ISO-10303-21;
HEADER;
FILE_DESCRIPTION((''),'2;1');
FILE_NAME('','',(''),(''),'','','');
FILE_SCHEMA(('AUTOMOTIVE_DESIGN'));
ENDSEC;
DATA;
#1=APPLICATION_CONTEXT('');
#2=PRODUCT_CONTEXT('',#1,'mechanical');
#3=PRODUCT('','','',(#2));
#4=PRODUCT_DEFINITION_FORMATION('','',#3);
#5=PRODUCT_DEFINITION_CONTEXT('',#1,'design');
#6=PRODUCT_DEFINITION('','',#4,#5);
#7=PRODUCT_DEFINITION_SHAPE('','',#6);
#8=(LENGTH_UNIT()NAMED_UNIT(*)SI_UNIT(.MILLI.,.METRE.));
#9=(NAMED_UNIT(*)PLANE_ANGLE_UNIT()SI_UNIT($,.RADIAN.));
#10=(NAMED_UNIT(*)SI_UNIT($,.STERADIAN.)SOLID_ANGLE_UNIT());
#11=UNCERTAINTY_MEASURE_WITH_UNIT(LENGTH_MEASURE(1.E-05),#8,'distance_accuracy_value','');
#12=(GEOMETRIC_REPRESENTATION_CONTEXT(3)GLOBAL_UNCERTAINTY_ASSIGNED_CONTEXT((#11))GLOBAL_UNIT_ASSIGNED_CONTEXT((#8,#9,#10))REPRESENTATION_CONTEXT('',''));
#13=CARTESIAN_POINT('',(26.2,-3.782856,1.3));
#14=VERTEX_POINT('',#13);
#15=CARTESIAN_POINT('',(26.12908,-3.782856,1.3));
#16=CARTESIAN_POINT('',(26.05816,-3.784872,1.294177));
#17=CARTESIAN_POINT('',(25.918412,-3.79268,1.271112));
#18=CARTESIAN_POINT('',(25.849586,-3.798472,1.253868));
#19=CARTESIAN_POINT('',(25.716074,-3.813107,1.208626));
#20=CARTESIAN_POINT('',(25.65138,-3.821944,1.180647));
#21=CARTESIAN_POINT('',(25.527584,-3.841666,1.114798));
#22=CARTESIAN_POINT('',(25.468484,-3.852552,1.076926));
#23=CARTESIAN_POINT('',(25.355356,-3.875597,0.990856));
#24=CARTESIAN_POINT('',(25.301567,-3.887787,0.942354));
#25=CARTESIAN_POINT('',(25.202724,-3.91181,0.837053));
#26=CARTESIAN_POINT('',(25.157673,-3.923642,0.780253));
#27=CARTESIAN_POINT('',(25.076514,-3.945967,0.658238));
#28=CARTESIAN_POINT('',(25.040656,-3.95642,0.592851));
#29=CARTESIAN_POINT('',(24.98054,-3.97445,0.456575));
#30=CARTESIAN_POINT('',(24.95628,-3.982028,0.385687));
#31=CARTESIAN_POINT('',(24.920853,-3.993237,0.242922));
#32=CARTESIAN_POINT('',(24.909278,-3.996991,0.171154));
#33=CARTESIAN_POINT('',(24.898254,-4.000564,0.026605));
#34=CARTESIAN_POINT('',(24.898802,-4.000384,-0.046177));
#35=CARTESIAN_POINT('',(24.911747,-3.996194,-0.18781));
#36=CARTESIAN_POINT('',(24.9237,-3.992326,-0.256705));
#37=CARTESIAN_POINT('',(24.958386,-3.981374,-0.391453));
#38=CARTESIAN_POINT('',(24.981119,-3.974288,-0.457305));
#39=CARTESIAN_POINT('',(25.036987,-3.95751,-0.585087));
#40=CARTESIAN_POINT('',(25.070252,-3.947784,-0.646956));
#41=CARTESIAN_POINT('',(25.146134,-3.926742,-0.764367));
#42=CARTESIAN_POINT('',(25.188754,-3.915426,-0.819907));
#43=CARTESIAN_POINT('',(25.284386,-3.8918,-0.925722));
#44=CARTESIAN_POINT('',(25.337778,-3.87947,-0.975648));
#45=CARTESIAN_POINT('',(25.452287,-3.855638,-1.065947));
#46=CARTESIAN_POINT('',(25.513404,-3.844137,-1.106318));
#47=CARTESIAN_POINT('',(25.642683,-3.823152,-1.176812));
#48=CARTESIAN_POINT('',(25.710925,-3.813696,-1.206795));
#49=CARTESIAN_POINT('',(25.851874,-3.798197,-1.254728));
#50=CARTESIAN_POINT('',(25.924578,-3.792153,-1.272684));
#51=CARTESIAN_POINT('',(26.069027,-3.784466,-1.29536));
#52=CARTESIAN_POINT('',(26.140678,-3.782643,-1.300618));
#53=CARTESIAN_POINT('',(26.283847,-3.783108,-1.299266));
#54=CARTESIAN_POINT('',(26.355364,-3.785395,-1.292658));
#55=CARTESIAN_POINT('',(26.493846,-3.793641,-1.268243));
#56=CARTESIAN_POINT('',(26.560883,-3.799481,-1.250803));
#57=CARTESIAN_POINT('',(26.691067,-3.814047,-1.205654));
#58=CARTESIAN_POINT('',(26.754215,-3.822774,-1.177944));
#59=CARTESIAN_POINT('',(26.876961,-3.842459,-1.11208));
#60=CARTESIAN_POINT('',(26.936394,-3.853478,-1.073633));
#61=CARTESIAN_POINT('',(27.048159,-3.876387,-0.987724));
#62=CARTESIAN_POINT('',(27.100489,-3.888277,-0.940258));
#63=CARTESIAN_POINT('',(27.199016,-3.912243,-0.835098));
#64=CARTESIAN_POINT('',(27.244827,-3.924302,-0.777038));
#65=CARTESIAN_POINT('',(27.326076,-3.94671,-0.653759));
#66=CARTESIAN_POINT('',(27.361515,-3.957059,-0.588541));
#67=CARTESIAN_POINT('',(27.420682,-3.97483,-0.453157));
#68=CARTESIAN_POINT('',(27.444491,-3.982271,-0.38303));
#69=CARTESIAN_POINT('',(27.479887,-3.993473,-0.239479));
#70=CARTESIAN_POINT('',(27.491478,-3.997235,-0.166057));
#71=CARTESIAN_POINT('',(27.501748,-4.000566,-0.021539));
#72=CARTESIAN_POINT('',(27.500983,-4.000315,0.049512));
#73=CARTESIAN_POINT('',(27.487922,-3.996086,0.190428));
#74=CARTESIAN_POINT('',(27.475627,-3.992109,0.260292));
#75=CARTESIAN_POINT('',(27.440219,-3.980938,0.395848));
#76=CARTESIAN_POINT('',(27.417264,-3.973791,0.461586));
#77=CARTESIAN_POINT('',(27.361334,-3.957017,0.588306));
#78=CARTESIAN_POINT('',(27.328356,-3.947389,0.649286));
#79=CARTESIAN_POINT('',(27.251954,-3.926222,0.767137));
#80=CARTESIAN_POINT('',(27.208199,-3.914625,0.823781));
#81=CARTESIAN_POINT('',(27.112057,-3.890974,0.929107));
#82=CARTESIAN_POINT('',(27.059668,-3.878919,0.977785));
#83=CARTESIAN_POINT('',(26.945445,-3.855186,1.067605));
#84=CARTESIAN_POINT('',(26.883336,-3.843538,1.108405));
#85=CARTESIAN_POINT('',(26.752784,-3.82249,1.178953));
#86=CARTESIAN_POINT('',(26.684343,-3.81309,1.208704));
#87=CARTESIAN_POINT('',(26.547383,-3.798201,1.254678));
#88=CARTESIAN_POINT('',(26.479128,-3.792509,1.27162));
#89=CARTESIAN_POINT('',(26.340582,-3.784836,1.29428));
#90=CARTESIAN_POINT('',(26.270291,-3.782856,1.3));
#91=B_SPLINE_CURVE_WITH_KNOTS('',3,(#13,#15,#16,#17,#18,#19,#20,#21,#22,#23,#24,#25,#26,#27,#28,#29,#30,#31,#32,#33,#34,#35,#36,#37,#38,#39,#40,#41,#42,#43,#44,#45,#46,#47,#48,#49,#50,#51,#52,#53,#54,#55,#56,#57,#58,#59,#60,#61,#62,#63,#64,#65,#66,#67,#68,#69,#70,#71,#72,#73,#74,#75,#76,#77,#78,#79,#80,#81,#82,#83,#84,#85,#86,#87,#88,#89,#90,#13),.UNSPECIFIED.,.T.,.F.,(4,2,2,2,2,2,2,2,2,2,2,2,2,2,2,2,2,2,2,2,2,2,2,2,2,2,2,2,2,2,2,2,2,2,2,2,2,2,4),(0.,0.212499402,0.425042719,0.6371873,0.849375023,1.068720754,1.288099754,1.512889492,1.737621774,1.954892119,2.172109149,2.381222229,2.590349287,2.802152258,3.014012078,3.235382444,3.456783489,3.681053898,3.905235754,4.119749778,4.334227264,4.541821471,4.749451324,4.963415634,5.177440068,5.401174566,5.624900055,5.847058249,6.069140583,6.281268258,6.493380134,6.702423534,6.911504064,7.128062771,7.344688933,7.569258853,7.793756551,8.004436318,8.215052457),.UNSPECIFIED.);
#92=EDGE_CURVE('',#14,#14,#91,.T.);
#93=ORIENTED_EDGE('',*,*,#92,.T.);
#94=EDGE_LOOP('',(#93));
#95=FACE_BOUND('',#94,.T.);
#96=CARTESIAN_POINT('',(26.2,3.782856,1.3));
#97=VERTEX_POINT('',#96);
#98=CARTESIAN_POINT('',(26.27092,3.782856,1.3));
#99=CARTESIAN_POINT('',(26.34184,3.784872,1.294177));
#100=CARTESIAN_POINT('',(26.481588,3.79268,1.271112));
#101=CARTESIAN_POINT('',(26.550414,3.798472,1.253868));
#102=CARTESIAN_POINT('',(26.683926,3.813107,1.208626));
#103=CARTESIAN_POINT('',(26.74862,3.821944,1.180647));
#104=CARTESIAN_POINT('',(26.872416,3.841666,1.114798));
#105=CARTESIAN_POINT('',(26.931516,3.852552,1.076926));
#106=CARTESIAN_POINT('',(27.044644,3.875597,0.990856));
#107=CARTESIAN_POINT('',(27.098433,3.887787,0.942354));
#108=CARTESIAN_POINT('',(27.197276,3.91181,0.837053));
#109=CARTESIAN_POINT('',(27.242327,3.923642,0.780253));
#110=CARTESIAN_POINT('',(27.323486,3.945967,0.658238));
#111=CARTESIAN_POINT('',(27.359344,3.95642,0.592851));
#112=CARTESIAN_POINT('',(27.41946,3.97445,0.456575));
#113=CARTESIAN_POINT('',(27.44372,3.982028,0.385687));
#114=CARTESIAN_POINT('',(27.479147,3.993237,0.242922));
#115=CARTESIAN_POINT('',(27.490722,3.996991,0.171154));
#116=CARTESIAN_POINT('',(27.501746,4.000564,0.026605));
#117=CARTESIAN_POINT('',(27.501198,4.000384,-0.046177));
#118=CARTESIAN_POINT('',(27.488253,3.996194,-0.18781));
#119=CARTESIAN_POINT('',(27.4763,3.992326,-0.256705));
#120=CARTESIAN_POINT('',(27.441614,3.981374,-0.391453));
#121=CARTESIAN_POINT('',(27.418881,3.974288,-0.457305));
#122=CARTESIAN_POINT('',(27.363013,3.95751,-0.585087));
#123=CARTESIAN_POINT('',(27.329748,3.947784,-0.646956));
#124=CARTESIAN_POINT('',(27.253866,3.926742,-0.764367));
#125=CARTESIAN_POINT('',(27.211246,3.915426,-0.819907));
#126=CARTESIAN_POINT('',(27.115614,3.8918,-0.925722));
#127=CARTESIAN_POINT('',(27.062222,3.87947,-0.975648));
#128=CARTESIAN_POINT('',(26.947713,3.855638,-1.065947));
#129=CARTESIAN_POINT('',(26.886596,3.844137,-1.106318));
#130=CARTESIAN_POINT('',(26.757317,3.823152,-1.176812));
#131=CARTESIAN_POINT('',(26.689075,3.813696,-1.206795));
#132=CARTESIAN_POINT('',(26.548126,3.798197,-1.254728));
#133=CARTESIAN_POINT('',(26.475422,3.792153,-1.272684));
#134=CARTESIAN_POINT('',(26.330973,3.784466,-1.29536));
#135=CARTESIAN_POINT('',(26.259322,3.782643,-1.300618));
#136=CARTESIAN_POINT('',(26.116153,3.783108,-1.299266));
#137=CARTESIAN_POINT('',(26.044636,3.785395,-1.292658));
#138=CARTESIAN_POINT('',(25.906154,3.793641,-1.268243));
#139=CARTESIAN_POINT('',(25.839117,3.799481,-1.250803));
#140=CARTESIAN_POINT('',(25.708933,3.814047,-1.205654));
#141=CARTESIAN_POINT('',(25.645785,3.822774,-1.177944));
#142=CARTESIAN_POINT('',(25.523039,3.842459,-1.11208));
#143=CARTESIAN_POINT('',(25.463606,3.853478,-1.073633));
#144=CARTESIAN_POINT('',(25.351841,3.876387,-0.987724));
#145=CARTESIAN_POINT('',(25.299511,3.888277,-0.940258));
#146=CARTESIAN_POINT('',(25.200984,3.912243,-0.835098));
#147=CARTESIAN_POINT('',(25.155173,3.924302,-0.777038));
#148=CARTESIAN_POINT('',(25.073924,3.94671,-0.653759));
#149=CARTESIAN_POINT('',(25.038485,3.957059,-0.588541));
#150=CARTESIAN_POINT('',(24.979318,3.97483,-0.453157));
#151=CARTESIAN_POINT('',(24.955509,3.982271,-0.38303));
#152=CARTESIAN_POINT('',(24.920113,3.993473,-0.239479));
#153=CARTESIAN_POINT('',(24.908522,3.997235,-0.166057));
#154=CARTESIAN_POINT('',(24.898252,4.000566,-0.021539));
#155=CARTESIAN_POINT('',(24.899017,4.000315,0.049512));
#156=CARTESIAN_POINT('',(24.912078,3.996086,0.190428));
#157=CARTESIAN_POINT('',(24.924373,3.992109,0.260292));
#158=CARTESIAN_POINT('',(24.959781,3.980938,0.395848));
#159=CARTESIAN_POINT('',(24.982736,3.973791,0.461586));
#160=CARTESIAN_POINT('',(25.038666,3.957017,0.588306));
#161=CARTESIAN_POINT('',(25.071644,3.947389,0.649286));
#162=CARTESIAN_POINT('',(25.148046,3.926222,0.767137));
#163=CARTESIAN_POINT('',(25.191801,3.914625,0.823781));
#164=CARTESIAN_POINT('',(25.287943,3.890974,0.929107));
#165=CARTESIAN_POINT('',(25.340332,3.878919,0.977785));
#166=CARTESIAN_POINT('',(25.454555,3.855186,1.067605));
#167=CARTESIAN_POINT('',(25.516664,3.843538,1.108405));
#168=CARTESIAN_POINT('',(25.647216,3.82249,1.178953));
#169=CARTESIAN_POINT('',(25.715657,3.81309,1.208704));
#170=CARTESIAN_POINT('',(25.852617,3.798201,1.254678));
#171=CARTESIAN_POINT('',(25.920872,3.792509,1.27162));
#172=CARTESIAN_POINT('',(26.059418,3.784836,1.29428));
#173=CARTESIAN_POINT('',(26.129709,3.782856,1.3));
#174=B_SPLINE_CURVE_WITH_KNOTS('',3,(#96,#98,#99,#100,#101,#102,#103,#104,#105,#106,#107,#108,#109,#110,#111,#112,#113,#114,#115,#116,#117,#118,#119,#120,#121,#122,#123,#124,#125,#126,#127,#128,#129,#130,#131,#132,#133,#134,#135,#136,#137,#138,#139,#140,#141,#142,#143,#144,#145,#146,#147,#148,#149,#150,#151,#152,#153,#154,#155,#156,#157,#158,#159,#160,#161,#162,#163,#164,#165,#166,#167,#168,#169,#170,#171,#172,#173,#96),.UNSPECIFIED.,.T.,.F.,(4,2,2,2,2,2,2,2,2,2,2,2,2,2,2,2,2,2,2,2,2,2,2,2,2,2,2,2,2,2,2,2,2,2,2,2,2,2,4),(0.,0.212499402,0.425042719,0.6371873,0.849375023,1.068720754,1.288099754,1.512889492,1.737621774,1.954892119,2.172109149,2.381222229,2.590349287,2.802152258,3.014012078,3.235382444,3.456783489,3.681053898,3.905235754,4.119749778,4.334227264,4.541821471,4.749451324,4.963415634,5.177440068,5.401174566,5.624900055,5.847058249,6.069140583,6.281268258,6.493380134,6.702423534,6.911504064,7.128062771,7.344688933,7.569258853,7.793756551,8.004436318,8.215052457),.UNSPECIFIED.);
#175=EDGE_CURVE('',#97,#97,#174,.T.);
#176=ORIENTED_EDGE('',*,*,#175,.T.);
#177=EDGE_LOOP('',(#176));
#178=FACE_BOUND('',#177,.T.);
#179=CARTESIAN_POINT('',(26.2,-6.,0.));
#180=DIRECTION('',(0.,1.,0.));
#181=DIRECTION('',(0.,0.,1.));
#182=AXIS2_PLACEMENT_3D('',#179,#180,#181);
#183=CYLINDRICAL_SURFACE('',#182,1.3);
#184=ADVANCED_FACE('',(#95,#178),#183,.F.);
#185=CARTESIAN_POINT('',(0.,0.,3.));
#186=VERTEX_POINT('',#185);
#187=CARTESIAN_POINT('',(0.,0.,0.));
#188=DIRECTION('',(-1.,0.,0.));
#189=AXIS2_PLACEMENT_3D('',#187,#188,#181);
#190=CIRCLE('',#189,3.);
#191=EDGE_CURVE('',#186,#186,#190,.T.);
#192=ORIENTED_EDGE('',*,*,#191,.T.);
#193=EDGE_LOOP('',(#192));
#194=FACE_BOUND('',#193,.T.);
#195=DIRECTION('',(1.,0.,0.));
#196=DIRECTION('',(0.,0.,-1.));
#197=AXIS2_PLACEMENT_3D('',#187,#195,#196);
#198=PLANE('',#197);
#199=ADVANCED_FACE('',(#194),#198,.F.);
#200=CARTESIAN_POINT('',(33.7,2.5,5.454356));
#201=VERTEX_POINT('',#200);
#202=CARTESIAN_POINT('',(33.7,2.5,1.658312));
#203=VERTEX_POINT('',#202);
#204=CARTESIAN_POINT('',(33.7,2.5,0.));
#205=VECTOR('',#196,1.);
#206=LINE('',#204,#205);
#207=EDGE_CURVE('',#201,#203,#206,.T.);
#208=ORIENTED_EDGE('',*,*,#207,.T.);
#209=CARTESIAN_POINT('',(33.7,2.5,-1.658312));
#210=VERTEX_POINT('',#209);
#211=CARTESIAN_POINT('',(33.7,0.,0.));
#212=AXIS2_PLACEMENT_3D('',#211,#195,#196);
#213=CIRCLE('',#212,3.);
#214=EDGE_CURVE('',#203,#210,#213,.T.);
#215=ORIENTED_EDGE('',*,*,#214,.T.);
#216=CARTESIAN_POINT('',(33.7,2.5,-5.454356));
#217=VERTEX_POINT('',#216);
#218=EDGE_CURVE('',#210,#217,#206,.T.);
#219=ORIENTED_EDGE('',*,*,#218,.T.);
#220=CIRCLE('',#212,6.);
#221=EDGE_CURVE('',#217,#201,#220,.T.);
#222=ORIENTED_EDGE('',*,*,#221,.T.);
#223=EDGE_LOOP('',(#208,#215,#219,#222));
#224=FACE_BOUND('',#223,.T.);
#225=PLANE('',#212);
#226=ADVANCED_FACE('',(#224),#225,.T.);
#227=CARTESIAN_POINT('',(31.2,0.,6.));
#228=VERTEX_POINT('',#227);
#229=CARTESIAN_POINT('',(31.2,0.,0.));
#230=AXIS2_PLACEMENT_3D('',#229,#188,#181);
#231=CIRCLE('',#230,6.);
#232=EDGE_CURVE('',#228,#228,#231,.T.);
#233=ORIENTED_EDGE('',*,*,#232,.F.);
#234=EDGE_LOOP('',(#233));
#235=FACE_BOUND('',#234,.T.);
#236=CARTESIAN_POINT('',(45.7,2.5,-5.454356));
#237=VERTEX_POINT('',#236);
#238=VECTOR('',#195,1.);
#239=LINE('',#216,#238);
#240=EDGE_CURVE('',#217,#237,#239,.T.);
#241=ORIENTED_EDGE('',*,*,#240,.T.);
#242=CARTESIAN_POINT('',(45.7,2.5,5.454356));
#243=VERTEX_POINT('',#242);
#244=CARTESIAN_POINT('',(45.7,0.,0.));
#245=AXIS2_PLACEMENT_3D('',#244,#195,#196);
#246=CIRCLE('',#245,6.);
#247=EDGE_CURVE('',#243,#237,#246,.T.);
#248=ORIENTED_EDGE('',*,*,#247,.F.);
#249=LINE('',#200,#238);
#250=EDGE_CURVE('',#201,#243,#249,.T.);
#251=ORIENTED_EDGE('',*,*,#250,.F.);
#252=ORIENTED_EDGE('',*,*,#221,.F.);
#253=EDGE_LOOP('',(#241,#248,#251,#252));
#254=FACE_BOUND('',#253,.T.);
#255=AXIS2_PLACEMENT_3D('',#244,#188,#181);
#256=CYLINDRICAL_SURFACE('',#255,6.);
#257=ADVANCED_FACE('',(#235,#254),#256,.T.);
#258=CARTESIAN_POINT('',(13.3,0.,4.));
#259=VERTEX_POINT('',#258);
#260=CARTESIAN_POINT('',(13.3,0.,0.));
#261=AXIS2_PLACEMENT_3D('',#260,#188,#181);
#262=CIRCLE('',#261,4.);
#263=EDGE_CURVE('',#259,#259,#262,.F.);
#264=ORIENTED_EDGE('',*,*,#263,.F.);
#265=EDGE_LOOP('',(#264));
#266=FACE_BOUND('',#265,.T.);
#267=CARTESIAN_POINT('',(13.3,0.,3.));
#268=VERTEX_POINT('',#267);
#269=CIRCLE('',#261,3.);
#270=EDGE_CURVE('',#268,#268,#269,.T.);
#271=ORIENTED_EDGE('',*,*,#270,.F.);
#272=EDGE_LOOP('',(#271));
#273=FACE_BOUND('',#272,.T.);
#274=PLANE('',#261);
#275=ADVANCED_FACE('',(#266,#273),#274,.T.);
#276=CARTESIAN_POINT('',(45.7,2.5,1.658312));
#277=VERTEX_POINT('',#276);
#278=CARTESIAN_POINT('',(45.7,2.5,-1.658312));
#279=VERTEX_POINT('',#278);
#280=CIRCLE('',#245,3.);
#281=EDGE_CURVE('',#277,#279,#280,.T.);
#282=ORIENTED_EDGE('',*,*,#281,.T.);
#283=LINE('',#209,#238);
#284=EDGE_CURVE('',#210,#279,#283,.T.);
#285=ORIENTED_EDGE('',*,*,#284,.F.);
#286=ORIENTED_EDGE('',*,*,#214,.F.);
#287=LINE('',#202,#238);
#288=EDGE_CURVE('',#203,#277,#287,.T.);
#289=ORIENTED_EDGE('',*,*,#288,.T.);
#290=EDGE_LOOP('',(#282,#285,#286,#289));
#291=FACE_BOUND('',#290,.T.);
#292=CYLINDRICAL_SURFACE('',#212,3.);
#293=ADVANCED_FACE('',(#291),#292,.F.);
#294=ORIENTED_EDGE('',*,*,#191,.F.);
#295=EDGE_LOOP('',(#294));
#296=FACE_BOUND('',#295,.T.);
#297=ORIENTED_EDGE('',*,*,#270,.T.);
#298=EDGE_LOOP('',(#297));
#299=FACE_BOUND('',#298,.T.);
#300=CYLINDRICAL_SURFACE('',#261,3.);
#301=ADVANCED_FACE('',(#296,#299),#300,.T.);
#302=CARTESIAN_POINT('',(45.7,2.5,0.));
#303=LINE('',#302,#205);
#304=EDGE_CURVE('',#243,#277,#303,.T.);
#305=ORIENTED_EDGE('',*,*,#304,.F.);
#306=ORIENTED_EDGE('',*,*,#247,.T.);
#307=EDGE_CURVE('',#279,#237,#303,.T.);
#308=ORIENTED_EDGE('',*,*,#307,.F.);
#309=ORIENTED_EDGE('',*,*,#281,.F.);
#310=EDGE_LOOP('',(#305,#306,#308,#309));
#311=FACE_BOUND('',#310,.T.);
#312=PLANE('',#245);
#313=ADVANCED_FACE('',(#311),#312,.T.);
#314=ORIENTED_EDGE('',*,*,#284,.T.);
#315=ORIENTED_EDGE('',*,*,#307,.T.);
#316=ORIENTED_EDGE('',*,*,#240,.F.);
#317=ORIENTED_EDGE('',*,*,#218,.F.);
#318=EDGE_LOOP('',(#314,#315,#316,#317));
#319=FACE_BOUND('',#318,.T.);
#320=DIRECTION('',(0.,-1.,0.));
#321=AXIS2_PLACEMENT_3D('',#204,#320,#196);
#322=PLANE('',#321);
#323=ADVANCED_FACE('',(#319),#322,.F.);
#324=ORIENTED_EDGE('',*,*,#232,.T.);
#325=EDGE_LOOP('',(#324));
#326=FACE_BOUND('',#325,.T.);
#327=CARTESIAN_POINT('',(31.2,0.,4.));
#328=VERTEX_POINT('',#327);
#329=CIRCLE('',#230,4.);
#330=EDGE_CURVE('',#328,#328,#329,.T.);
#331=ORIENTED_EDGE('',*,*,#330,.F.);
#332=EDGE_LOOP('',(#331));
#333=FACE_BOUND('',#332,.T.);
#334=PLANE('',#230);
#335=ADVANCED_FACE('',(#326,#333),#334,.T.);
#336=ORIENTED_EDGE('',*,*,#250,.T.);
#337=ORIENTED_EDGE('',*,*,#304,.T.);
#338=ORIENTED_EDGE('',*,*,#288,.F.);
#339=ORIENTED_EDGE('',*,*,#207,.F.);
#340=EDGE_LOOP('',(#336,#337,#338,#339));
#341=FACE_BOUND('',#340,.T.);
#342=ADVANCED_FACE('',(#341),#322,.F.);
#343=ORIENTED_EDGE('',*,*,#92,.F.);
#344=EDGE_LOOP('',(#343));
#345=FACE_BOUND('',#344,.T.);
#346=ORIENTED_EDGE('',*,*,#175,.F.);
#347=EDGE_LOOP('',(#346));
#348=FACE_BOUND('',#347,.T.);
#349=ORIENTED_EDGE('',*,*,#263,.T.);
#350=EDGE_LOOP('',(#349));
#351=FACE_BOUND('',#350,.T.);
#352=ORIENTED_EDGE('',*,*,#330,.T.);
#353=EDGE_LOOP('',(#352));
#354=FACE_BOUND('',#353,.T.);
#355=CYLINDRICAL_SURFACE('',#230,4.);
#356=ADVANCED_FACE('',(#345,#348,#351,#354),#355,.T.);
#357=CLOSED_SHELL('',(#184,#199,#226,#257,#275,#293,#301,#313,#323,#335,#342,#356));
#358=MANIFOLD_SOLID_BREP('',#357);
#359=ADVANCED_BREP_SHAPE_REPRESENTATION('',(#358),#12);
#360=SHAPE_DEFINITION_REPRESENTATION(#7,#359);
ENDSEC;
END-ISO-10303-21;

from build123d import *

# Parameters (mm, degrees)
SKETCH_1_R               = 6
EXTRUDE_1_DEPTH          = 45.7
CUT_EXTRUDE_START        = -12
CUT_EXTRUDE_1_DEPTH      = 12
SKETCH_3_OUTSIDE_W       = 23.75
SKETCH_3_OUTSIDE_H       = 23.75
SKETCH_3_OUTSIDE_R       = 4
CUT_EXTRUDE_2_DEPTH      = 31.2
SKETCH_4_OUTSIDE_W       = 23.75
SKETCH_4_OUTSIDE_H       = 23.75
SKETCH_4_OUTSIDE_R       = 3
CUT_EXTRUDE_3_DEPTH      = 13.3
CUT_EXTRUDE_4_DEPTH      = 47.481071416
CUT_EXTRUDE_4_DEPTH_BACK = 47.481071416
SKETCH_5_R               = 1.3


with BuildPart() as part:
    # ｽｹｯﾁ1 → ﾎﾞｽ - 押し出し1 (new body)
    with BuildSketch(Plane(origin=(0, 0, 0), x_dir=(0, 0, -1), z_dir=(1, 0, 0))):
        with Locations(Location((0, 0, 0), (0, 0, 180))):
            Circle(SKETCH_1_R)
    extrude(amount=EXTRUDE_1_DEPTH)

    # ｽｹｯﾁ2 → ｶｯﾄ - 押し出し1 (cut)
    with BuildSketch(Plane(origin=(45.7, 0, 0), x_dir=(0, 0, -1), z_dir=(1, 0, 0)).offset(CUT_EXTRUDE_START)):
        with BuildLine():
            ThreePointArc((5.454356057, 2.5), (0, 6), (-5.454356057, 2.5))
            Line((-5.454356057, 2.5), (-1.658312395, 2.5))
            ThreePointArc((-1.658312395, 2.5), (0, -3), (1.658312395, 2.5))
            Line((1.658312395, 2.5), (5.454356057, 2.5))
        make_face()
    extrude(amount=CUT_EXTRUDE_1_DEPTH, mode=Mode.SUBTRACT)

    # ｽｹｯﾁ3 outside → ｶｯﾄ - 押し出し2 (cut)
    with BuildSketch(Plane.ZY):
        Rectangle(SKETCH_3_OUTSIDE_W, SKETCH_3_OUTSIDE_H)
        Circle(SKETCH_3_OUTSIDE_R, mode=Mode.SUBTRACT)
    extrude(amount=-CUT_EXTRUDE_2_DEPTH, mode=Mode.SUBTRACT)

    # ｽｹｯﾁ4 outside → ｶｯﾄ - 押し出し3 (cut)
    with BuildSketch(Plane.ZY):
        Rectangle(SKETCH_4_OUTSIDE_W, SKETCH_4_OUTSIDE_H)
        Circle(SKETCH_4_OUTSIDE_R, mode=Mode.SUBTRACT)
    extrude(amount=-CUT_EXTRUDE_3_DEPTH, mode=Mode.SUBTRACT)

    # ｽｹｯﾁ5 → ｶｯﾄ - 押し出し4 (cut, two sides: drawn at the far end of the back side and taken through both)
    with BuildSketch(Plane(origin=(0, 0, 0), x_dir=(1, 0, 0), z_dir=(0, 1, 0)).offset(-CUT_EXTRUDE_4_DEPTH_BACK)):
        with Locations(Location((26.2, 0, 0), (0, 0, 270))):
            Circle(SKETCH_5_R)
    extrude(amount=CUT_EXTRUDE_4_DEPTH + CUT_EXTRUDE_4_DEPTH_BACK, mode=Mode.SUBTRACT)


solid = part.part
